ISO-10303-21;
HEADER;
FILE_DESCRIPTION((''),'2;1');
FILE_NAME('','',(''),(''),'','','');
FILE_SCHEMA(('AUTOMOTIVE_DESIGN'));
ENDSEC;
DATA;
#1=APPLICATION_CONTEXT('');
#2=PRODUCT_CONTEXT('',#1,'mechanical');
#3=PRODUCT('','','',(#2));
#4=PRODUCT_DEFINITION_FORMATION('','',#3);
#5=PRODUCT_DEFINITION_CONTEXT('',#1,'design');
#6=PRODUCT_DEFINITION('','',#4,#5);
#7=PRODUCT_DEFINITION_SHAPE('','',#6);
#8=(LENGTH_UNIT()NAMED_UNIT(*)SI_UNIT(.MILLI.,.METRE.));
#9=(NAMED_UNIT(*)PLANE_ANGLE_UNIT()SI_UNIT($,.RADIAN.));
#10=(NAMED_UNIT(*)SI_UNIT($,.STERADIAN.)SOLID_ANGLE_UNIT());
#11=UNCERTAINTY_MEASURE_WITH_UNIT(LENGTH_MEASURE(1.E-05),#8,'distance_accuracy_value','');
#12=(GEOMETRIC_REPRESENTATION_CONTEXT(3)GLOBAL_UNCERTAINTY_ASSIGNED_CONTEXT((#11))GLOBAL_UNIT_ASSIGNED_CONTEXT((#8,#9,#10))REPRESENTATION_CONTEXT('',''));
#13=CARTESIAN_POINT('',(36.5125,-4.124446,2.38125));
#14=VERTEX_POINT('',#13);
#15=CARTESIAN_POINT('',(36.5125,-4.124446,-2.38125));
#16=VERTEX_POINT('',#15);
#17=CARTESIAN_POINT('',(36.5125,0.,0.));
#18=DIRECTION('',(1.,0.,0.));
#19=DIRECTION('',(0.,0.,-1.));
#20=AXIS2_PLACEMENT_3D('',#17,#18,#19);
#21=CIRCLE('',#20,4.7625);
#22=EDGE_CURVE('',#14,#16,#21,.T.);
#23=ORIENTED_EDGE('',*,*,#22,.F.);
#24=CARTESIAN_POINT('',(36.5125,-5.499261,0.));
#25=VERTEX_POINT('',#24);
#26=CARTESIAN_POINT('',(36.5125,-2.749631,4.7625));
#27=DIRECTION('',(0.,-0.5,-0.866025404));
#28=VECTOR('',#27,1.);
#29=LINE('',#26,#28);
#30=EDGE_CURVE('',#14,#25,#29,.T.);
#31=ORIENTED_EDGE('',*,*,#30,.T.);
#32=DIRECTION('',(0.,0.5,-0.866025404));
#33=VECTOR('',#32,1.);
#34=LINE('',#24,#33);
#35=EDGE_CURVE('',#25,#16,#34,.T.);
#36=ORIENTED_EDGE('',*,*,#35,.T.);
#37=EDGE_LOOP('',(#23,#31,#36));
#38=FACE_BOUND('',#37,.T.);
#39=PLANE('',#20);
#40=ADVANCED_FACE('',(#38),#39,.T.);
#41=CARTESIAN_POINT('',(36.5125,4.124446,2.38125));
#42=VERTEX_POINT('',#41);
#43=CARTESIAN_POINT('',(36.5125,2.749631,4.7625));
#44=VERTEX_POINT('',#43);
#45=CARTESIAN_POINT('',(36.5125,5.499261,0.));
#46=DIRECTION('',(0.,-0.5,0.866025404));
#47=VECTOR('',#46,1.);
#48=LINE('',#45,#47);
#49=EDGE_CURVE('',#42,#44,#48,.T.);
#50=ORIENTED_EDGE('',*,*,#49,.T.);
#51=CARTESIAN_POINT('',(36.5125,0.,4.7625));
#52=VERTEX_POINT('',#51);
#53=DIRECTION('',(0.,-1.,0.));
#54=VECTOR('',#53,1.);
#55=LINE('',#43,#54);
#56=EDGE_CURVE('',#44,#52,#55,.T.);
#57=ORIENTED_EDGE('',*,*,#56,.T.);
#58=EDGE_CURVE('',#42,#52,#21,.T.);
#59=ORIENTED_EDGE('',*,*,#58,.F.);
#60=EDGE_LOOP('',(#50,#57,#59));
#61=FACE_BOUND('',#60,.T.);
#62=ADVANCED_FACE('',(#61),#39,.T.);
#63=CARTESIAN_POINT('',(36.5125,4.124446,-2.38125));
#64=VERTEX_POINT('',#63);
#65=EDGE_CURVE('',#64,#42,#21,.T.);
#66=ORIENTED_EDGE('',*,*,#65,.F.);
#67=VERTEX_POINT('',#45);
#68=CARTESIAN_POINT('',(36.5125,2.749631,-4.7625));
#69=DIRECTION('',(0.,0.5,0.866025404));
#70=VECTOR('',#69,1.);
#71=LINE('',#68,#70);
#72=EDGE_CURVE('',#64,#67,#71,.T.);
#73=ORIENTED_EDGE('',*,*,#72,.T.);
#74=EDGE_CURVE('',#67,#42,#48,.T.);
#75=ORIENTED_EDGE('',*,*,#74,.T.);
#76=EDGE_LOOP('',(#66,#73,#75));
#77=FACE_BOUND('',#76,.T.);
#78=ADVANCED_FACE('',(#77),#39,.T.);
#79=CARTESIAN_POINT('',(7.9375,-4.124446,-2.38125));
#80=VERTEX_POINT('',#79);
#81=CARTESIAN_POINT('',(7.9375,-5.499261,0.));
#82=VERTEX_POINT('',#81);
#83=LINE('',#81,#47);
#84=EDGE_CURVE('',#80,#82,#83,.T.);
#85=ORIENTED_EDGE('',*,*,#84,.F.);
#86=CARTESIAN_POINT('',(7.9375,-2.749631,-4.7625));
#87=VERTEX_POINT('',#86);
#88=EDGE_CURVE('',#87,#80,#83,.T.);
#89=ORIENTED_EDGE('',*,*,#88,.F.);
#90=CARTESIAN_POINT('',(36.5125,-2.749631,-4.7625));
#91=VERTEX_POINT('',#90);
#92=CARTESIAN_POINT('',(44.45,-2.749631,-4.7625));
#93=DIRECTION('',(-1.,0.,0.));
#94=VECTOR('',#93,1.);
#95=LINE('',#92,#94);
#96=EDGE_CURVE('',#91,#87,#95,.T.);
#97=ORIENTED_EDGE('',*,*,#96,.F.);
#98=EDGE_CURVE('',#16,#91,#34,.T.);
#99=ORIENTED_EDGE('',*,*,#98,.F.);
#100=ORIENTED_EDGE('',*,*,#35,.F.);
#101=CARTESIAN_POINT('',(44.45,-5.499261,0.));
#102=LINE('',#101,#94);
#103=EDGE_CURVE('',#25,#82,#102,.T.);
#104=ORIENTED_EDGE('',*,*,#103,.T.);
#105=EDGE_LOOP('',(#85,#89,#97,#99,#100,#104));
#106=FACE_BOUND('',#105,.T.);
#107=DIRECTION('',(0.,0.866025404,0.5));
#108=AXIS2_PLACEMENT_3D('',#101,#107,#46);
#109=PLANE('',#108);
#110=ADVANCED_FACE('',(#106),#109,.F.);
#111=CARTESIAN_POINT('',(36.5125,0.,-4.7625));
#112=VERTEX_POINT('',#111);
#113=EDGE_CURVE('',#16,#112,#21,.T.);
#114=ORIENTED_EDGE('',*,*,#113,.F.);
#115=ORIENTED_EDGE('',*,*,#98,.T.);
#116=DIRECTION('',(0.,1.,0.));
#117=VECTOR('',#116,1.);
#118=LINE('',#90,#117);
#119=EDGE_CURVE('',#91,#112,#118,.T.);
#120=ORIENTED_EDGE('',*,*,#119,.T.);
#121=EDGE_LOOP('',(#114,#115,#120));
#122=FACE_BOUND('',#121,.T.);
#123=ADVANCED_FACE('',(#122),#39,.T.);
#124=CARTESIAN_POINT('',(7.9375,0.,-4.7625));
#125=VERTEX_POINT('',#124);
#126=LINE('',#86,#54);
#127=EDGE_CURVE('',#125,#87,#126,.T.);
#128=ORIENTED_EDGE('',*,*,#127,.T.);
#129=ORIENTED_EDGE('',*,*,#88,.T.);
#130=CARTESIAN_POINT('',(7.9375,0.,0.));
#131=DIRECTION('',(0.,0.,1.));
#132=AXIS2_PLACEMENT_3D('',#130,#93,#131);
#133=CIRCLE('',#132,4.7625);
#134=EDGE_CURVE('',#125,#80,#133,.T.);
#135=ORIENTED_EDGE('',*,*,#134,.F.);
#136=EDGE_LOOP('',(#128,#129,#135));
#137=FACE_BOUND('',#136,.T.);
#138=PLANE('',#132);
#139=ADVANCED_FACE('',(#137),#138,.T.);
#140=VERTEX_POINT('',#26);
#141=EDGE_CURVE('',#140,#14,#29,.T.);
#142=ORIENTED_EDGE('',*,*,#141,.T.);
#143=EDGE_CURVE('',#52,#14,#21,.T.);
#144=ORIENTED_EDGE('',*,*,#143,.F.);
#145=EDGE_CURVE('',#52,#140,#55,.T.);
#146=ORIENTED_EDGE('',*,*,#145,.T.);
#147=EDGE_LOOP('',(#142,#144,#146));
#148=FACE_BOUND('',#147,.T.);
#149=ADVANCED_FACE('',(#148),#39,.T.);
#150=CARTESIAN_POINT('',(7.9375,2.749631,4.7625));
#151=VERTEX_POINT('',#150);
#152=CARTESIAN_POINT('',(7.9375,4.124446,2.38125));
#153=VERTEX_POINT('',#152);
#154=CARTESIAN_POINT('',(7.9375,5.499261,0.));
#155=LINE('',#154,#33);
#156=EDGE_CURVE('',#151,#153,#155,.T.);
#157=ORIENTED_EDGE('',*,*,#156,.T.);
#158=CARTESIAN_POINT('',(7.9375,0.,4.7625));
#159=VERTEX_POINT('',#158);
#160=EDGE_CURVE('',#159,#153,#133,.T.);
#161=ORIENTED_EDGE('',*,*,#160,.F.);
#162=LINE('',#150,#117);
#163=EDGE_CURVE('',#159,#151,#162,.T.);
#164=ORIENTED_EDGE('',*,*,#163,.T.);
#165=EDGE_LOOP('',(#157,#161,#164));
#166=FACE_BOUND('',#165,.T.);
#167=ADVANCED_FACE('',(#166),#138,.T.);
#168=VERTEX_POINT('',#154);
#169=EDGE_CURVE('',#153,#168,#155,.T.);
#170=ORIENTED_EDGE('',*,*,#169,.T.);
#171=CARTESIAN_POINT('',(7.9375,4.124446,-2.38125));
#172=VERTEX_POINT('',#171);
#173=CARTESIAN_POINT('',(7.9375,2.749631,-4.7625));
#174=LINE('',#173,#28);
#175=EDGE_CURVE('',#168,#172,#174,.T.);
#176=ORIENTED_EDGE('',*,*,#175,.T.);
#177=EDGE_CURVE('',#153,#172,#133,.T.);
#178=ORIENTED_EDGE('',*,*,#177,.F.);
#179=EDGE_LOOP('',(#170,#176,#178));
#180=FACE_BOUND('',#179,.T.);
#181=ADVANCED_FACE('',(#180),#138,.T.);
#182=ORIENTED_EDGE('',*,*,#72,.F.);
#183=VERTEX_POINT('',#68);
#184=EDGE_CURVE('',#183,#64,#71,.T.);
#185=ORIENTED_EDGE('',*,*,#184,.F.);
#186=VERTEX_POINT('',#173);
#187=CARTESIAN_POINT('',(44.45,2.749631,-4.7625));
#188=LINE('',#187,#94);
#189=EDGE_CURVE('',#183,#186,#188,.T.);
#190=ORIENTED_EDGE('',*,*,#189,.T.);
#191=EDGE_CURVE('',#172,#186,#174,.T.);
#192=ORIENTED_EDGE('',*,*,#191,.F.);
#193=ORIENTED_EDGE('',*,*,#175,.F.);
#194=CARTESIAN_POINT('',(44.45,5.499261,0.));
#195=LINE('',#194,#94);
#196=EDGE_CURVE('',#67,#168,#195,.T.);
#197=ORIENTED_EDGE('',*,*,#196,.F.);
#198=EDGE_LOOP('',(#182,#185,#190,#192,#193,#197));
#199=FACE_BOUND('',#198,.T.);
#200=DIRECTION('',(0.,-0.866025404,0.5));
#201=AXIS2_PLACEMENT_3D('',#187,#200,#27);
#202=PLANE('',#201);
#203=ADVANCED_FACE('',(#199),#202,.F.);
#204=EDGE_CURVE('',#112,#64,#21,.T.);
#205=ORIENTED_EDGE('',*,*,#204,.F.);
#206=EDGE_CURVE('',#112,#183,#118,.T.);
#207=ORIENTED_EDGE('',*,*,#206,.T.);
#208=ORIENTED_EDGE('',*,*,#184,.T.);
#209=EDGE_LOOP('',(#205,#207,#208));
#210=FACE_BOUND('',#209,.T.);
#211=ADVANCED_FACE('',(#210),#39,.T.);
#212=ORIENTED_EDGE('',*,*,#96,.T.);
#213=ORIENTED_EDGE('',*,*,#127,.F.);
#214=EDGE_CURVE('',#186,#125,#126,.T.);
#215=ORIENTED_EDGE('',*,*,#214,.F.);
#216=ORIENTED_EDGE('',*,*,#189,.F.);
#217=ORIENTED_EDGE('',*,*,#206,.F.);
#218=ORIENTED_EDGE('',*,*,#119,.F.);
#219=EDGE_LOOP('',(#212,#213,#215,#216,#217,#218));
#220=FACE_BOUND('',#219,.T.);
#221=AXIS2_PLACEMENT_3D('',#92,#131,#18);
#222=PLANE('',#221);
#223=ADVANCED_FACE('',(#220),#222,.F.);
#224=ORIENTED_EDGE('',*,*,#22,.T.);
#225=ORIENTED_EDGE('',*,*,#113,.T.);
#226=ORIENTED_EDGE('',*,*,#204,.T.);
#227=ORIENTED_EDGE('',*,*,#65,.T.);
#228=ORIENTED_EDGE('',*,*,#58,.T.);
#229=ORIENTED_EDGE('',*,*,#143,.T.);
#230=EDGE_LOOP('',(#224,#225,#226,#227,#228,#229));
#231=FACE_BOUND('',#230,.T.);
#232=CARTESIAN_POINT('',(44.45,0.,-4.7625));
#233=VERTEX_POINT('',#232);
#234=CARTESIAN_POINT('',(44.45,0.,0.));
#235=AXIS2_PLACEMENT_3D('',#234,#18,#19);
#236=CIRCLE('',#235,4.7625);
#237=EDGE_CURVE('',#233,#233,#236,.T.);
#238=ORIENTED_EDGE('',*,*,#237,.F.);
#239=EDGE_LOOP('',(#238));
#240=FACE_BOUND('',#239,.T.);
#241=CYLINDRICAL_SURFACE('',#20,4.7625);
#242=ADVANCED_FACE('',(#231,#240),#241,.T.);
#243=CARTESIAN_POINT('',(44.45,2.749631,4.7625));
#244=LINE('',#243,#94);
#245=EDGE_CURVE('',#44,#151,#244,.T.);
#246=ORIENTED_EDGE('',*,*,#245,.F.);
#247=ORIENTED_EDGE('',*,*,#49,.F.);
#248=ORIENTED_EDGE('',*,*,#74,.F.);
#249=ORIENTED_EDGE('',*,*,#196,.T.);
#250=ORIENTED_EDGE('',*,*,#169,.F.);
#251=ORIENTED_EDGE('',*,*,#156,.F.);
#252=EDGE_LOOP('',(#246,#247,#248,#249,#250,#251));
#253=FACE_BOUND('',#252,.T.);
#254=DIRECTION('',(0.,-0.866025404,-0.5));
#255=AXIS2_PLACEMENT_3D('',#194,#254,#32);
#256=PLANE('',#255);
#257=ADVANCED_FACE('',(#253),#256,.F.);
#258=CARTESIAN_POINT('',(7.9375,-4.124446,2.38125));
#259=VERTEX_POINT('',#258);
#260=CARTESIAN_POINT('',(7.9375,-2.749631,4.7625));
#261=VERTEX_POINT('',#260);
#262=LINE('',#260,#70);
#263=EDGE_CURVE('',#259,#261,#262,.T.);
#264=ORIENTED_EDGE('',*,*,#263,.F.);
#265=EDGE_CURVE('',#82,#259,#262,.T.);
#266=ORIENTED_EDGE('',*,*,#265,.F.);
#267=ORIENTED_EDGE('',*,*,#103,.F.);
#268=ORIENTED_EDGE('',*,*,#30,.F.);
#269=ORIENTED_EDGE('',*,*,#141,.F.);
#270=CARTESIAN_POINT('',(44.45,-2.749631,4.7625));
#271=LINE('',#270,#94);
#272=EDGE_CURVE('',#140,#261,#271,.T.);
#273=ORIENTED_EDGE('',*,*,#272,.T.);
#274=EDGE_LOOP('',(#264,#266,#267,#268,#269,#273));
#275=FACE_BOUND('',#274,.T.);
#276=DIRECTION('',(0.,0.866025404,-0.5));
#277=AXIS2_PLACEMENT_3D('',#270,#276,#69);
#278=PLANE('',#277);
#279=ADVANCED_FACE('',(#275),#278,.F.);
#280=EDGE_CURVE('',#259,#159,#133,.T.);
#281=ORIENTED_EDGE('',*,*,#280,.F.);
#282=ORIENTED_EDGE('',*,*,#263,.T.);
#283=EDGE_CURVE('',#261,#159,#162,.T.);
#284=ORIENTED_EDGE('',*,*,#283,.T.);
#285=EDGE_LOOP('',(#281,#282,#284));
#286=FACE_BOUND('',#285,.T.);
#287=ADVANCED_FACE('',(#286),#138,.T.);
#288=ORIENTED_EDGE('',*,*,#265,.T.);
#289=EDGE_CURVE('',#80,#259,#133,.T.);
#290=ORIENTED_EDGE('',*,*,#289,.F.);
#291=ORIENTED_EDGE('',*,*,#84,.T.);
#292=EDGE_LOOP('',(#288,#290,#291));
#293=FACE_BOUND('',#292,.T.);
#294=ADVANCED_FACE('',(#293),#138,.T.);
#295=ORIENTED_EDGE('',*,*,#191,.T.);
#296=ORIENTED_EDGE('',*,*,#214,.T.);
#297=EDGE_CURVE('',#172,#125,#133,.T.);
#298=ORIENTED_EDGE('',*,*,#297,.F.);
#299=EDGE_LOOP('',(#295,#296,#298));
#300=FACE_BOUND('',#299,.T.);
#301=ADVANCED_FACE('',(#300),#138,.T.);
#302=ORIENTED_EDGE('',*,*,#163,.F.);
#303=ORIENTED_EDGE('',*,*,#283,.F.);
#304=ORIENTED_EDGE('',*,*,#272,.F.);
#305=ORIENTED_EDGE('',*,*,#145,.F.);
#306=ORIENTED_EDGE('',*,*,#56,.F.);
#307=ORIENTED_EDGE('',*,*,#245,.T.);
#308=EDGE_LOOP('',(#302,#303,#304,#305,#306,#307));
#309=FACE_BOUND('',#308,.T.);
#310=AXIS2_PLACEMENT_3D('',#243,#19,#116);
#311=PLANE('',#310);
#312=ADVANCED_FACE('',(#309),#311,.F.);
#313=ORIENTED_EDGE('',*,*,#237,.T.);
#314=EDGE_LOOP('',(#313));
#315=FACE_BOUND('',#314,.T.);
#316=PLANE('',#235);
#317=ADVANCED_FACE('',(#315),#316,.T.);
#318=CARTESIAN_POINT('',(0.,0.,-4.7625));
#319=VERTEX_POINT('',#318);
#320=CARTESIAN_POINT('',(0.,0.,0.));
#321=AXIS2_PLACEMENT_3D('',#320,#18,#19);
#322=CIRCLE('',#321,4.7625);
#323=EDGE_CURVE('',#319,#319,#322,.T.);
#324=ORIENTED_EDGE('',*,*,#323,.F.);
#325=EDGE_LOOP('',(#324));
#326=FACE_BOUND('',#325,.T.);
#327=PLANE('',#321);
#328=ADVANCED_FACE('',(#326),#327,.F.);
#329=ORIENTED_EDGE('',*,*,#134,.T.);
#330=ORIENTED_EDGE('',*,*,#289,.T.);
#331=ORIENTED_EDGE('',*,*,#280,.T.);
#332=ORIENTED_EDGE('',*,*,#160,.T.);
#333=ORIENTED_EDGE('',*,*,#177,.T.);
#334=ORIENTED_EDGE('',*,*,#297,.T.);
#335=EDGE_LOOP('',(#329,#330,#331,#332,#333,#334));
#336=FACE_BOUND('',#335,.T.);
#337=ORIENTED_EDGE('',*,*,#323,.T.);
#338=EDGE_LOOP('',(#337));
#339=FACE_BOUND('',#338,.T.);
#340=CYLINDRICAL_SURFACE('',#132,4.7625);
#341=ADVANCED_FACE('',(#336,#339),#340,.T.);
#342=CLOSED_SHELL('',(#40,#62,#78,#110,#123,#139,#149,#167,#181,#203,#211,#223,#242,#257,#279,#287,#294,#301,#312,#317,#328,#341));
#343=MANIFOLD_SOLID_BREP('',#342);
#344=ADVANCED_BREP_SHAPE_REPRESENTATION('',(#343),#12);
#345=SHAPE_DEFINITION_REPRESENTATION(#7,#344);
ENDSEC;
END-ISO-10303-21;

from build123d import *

# Parameters (mm, degrees)
BOSS_EXTRUDE1_DEPTH = 44.45
SKETCH2_R           = 5.499261314
SKETCH2_R_2         = 4.7625
CUT_EXTRUDE1_DEPTH  = 7.9375
SKETCH3_R           = 5.499261314
SKETCH3_R_2         = 4.7625
CUT_EXTRUDE2_DEPTH  = 7.9375


with BuildPart() as part:
    # Sketch1 → Boss-Extrude1 (new body)
    with BuildSketch(Plane(origin=(0, 0, 0), x_dir=(0, 0, -1), z_dir=(1, 0, 0))):
        Polygon((0, 5.499261314), (-4.7625, 2.749630657), (-4.7625, -2.749630657), (0, -5.499261314), (4.7625, -2.749630657), (4.7625, 2.749630657), align=None)
    extrude(amount=BOSS_EXTRUDE1_DEPTH)

    # Sketch2 → Cut-Extrude1 (cut)
    with BuildSketch(Plane.ZY):
        Circle(SKETCH2_R)
        Circle(SKETCH2_R_2, mode=Mode.SUBTRACT)
    extrude(amount=-CUT_EXTRUDE1_DEPTH, mode=Mode.SUBTRACT)

    # Sketch3 → Cut-Extrude2 (cut)
    with BuildSketch(Plane(origin=(44.45, 0, 0), x_dir=(0, 0, -1), z_dir=(1, 0, 0))):
        Circle(SKETCH3_R)
        Circle(SKETCH3_R_2, mode=Mode.SUBTRACT)
    extrude(amount=-CUT_EXTRUDE2_DEPTH, mode=Mode.SUBTRACT)


solid = part.part
